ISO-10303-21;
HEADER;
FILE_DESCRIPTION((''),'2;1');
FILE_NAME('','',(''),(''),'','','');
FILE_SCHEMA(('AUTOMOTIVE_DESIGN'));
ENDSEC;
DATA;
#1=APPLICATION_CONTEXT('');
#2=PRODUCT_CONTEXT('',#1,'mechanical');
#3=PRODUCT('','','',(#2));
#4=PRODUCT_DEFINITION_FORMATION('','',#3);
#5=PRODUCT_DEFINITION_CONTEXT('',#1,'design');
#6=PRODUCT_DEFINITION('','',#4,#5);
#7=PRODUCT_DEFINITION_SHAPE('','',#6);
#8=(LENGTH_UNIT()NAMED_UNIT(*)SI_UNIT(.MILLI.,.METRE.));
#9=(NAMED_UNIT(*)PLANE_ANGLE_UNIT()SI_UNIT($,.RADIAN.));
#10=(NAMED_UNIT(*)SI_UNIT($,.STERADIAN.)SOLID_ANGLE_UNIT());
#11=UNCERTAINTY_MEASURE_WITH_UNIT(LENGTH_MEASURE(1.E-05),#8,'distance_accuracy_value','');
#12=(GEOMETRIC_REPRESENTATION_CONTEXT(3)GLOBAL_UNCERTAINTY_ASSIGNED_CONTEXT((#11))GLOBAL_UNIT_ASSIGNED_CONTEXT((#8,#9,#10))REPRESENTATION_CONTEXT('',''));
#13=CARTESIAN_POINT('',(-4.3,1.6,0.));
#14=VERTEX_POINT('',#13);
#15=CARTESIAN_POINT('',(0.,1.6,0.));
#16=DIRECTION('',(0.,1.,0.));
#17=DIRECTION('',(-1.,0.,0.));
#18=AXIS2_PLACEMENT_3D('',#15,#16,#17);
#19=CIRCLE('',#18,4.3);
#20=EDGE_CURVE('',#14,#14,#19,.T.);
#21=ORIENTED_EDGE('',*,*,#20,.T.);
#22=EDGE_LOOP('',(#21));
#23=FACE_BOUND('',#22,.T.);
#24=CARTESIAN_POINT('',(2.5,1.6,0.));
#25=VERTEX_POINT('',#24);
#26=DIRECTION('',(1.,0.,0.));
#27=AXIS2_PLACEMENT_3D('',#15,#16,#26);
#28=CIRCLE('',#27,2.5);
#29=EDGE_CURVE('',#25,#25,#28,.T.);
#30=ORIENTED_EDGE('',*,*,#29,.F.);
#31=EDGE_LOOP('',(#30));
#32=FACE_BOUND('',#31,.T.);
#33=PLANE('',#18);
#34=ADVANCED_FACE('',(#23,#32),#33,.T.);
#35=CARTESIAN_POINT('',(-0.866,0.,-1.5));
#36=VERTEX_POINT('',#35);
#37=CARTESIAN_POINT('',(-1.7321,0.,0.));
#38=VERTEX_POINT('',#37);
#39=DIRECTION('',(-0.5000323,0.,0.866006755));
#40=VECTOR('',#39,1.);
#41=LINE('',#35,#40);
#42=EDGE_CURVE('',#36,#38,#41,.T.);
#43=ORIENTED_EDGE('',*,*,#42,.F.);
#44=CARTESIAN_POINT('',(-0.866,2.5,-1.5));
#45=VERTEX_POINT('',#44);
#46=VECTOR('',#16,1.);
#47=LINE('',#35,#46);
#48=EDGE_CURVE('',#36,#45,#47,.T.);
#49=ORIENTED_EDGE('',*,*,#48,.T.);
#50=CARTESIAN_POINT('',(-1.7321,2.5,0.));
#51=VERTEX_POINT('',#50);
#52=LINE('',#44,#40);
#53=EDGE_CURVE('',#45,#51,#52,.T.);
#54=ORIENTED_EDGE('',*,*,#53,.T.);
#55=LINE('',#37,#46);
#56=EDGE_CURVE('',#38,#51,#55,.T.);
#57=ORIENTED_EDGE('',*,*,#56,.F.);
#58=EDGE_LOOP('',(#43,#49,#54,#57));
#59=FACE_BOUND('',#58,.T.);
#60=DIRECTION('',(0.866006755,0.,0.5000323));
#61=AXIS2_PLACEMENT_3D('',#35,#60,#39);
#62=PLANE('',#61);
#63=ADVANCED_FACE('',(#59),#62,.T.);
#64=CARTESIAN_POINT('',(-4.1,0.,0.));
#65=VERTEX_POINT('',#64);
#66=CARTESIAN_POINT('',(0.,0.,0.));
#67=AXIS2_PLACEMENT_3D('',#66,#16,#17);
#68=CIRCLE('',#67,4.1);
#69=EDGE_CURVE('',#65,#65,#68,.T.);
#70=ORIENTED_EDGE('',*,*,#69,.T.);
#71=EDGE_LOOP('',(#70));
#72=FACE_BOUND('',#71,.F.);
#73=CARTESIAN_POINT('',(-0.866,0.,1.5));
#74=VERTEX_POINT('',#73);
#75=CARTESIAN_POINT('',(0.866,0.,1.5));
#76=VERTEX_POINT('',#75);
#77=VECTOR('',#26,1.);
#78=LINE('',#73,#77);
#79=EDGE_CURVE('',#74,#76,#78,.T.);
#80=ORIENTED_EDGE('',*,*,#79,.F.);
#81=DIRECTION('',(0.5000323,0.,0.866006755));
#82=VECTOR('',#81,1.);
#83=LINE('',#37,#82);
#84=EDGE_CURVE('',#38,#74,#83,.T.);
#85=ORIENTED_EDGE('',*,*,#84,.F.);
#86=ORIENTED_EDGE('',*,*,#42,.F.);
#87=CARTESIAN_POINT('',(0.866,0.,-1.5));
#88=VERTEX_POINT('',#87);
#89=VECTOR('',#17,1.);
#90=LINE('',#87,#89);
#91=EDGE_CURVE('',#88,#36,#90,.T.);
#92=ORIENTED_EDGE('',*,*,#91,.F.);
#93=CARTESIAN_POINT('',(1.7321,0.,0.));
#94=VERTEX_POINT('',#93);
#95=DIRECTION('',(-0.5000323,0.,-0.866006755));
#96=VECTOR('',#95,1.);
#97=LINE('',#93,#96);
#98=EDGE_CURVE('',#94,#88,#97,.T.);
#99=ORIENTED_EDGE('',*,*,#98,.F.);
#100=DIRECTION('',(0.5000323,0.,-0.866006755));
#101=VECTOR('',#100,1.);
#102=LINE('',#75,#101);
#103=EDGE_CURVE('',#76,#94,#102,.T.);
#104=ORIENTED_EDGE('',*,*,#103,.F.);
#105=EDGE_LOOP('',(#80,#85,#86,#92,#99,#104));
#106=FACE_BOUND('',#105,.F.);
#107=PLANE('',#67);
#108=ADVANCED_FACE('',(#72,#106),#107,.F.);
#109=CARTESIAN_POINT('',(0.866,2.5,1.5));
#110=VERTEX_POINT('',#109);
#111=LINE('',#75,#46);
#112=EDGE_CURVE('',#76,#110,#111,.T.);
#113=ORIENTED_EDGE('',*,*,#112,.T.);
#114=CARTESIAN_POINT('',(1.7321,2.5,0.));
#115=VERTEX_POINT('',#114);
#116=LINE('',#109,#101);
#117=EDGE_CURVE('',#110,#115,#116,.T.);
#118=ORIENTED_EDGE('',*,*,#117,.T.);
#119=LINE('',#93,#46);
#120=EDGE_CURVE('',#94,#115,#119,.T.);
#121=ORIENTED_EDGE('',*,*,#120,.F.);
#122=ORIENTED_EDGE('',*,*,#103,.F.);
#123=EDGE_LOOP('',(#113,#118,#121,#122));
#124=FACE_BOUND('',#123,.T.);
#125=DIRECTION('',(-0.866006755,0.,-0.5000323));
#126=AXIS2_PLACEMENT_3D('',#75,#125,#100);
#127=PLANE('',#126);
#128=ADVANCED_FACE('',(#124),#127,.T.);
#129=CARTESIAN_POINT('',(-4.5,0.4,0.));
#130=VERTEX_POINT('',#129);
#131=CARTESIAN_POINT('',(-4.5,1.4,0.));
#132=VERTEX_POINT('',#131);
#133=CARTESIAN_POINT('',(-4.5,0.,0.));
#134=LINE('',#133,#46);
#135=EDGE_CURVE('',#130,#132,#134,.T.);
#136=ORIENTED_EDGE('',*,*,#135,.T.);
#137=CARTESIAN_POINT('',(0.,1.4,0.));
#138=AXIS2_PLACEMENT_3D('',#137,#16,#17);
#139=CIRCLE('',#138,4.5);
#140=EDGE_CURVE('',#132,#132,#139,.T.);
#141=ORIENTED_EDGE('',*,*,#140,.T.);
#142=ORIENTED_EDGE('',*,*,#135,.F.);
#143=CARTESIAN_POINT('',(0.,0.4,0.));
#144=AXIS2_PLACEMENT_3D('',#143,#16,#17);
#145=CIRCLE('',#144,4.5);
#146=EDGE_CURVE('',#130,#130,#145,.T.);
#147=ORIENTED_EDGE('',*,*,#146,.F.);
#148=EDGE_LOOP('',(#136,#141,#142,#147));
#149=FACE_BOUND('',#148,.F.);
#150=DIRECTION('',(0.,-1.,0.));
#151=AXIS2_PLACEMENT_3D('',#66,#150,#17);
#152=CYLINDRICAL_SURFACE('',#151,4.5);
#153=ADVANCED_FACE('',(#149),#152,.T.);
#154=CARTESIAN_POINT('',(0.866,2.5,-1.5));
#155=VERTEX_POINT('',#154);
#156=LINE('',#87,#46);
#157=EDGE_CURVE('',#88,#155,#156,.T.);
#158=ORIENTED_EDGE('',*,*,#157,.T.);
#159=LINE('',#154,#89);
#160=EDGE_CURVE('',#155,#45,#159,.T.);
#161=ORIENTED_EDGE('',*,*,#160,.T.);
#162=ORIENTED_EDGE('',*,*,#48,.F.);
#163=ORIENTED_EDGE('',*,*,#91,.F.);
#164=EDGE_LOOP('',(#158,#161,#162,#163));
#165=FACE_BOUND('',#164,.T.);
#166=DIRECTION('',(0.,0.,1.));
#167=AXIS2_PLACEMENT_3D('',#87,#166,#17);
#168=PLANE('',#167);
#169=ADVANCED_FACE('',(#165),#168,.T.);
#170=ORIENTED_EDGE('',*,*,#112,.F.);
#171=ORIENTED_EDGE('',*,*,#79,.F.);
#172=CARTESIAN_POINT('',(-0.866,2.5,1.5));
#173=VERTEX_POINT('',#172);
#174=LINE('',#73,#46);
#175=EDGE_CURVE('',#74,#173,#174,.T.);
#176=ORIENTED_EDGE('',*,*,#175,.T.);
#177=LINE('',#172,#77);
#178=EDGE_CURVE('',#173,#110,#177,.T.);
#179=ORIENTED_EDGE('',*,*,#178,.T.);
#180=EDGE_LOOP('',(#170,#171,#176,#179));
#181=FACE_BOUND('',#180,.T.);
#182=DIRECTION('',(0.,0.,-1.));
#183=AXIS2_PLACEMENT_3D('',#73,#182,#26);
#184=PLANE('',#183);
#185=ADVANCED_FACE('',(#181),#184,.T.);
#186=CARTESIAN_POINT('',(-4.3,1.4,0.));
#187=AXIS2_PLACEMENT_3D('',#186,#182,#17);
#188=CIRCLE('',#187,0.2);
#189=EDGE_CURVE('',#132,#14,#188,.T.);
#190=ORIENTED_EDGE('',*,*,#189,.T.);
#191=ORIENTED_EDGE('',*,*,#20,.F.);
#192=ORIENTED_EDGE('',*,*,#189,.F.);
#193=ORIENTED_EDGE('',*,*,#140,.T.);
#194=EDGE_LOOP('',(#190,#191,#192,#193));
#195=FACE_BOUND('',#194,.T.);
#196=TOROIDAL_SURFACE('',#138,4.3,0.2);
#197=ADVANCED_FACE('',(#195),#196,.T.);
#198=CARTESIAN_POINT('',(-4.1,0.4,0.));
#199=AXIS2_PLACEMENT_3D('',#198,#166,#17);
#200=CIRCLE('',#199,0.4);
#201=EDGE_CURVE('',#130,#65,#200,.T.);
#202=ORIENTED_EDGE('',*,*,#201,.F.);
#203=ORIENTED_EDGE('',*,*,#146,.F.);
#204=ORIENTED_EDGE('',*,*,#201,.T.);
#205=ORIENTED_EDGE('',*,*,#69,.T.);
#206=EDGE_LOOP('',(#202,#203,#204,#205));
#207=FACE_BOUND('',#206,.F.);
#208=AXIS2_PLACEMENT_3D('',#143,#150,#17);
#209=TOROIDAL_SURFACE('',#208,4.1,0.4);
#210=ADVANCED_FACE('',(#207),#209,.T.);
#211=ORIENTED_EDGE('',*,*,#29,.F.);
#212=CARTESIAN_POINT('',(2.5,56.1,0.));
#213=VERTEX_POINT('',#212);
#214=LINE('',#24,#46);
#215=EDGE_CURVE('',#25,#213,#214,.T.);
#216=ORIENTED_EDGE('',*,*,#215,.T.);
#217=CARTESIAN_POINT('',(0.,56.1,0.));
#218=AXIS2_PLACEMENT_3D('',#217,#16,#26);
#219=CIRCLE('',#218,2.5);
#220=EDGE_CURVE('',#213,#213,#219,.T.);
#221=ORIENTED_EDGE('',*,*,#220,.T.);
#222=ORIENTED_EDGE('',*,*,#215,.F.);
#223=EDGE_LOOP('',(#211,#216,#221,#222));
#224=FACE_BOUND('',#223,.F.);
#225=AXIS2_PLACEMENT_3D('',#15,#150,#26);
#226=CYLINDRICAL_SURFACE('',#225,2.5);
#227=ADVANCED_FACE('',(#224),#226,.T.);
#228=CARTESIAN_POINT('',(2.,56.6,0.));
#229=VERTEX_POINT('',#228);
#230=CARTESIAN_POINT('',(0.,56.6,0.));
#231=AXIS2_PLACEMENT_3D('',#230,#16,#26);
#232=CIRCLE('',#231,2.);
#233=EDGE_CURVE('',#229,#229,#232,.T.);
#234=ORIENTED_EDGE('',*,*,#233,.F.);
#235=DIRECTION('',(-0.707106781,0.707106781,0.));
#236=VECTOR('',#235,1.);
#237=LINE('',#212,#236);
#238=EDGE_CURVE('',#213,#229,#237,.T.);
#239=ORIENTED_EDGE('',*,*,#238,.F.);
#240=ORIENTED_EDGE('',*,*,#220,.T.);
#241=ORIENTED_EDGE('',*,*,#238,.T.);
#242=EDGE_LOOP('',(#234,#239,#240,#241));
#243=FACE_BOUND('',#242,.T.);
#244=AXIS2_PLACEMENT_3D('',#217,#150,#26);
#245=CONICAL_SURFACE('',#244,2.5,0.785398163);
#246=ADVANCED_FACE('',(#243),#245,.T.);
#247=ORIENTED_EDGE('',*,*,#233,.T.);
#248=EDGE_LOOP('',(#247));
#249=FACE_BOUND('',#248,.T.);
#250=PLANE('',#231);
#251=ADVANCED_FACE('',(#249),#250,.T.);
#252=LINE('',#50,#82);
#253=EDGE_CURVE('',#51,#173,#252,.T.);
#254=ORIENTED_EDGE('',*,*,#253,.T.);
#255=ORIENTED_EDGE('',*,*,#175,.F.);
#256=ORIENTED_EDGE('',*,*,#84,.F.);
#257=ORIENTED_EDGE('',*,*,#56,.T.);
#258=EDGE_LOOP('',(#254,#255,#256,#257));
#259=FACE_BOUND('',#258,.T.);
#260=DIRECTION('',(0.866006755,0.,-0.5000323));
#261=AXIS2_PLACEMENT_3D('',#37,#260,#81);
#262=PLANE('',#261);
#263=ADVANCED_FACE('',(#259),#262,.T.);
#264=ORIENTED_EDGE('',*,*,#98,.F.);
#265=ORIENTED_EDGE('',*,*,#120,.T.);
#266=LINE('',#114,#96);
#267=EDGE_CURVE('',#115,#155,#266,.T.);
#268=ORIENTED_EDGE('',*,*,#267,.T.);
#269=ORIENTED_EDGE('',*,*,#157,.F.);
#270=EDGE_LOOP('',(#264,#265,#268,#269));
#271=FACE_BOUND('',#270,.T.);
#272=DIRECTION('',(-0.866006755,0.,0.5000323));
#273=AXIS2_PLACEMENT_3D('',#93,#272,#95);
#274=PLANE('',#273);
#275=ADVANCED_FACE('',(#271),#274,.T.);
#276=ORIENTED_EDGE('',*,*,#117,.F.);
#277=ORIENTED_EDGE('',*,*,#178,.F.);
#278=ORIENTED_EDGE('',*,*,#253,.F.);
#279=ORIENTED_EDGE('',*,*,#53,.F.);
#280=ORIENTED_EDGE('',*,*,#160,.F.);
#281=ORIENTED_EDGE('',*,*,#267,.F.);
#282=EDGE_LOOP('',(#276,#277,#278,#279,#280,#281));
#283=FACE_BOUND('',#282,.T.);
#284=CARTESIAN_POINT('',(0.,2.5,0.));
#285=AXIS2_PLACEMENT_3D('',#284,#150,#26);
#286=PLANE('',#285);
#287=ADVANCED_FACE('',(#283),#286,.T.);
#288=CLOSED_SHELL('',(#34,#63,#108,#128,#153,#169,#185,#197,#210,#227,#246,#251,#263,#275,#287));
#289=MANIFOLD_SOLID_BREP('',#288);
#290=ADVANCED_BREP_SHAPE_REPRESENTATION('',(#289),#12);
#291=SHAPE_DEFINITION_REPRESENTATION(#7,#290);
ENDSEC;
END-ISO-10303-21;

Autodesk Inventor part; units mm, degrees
ref_plane "YZ Plane" through (0, 0, 0) normal (1, 0, 0) x (0, 1, 0)
ref_plane "XZ Plane" through (0, 0, 0) normal (0, 1, 0) x (-1, 0, 0)
ref_plane "XY Plane" through (0, 0, 0) normal (0, 0, 1) x (1, 0, 0)
sketch "Boceto1" plane through (0, 0, 0) normal (0, 1, 0) x (-1, 0, 0)
  circle A0 centre (0, 0) radius 4.5
  dimension "d0" = 9
extrude "Extrusión1" add sketch "Boceto1" along normal blind 1.6
sketch "Boceto2" plane through (0, 1.6, 0) normal (0, 1, 0) x (1, 0, 0)
  circle A0 centre (0, 0) radius 2.5
  dimension "d3" = 5
extrude "Extrusión2" add sketch "Boceto2" along normal blind 55
fillet "Empalme1" radius 0.4 1 edges at (4.5, 0, 0)
fillet "Empalme2" radius 0.2 1 edges at (4.5, 1.6, 0)
sketch "Boceto3" plane through (0, 0, 0) normal (0, -1, 0) x (1, 0, 0)
  line L0 (-1.7321, 0) -> (-0.866, 1.5)
  line L1 (-0.866, 1.5) -> (0.866, 1.5)
  line L2 (0.866, 1.5) -> (1.7321, 0)
  line L3 (1.7321, 0) -> (0.866, -1.5)
  line L4 (0.866, -1.5) -> (-0.866, -1.5)
  line L5 (-0.866, -1.5) -> (-1.7321, 0)
  point P0 (0, 0)
  point P1 (0, 0)
  dimension "d8" = 3
extrude "Extrusión3" cut sketch "Boceto3" against normal blind 2.5
chamfer "Chaflán1" distance 0.5 angle 45 1 edges at (-2.5, 56.6, 0)
thread "Rosca2" size "M5x0.8" class "6g" standard "ANSI Metric M Profile" length 20
properties part number "m5x55" material "Hierro, gris"
